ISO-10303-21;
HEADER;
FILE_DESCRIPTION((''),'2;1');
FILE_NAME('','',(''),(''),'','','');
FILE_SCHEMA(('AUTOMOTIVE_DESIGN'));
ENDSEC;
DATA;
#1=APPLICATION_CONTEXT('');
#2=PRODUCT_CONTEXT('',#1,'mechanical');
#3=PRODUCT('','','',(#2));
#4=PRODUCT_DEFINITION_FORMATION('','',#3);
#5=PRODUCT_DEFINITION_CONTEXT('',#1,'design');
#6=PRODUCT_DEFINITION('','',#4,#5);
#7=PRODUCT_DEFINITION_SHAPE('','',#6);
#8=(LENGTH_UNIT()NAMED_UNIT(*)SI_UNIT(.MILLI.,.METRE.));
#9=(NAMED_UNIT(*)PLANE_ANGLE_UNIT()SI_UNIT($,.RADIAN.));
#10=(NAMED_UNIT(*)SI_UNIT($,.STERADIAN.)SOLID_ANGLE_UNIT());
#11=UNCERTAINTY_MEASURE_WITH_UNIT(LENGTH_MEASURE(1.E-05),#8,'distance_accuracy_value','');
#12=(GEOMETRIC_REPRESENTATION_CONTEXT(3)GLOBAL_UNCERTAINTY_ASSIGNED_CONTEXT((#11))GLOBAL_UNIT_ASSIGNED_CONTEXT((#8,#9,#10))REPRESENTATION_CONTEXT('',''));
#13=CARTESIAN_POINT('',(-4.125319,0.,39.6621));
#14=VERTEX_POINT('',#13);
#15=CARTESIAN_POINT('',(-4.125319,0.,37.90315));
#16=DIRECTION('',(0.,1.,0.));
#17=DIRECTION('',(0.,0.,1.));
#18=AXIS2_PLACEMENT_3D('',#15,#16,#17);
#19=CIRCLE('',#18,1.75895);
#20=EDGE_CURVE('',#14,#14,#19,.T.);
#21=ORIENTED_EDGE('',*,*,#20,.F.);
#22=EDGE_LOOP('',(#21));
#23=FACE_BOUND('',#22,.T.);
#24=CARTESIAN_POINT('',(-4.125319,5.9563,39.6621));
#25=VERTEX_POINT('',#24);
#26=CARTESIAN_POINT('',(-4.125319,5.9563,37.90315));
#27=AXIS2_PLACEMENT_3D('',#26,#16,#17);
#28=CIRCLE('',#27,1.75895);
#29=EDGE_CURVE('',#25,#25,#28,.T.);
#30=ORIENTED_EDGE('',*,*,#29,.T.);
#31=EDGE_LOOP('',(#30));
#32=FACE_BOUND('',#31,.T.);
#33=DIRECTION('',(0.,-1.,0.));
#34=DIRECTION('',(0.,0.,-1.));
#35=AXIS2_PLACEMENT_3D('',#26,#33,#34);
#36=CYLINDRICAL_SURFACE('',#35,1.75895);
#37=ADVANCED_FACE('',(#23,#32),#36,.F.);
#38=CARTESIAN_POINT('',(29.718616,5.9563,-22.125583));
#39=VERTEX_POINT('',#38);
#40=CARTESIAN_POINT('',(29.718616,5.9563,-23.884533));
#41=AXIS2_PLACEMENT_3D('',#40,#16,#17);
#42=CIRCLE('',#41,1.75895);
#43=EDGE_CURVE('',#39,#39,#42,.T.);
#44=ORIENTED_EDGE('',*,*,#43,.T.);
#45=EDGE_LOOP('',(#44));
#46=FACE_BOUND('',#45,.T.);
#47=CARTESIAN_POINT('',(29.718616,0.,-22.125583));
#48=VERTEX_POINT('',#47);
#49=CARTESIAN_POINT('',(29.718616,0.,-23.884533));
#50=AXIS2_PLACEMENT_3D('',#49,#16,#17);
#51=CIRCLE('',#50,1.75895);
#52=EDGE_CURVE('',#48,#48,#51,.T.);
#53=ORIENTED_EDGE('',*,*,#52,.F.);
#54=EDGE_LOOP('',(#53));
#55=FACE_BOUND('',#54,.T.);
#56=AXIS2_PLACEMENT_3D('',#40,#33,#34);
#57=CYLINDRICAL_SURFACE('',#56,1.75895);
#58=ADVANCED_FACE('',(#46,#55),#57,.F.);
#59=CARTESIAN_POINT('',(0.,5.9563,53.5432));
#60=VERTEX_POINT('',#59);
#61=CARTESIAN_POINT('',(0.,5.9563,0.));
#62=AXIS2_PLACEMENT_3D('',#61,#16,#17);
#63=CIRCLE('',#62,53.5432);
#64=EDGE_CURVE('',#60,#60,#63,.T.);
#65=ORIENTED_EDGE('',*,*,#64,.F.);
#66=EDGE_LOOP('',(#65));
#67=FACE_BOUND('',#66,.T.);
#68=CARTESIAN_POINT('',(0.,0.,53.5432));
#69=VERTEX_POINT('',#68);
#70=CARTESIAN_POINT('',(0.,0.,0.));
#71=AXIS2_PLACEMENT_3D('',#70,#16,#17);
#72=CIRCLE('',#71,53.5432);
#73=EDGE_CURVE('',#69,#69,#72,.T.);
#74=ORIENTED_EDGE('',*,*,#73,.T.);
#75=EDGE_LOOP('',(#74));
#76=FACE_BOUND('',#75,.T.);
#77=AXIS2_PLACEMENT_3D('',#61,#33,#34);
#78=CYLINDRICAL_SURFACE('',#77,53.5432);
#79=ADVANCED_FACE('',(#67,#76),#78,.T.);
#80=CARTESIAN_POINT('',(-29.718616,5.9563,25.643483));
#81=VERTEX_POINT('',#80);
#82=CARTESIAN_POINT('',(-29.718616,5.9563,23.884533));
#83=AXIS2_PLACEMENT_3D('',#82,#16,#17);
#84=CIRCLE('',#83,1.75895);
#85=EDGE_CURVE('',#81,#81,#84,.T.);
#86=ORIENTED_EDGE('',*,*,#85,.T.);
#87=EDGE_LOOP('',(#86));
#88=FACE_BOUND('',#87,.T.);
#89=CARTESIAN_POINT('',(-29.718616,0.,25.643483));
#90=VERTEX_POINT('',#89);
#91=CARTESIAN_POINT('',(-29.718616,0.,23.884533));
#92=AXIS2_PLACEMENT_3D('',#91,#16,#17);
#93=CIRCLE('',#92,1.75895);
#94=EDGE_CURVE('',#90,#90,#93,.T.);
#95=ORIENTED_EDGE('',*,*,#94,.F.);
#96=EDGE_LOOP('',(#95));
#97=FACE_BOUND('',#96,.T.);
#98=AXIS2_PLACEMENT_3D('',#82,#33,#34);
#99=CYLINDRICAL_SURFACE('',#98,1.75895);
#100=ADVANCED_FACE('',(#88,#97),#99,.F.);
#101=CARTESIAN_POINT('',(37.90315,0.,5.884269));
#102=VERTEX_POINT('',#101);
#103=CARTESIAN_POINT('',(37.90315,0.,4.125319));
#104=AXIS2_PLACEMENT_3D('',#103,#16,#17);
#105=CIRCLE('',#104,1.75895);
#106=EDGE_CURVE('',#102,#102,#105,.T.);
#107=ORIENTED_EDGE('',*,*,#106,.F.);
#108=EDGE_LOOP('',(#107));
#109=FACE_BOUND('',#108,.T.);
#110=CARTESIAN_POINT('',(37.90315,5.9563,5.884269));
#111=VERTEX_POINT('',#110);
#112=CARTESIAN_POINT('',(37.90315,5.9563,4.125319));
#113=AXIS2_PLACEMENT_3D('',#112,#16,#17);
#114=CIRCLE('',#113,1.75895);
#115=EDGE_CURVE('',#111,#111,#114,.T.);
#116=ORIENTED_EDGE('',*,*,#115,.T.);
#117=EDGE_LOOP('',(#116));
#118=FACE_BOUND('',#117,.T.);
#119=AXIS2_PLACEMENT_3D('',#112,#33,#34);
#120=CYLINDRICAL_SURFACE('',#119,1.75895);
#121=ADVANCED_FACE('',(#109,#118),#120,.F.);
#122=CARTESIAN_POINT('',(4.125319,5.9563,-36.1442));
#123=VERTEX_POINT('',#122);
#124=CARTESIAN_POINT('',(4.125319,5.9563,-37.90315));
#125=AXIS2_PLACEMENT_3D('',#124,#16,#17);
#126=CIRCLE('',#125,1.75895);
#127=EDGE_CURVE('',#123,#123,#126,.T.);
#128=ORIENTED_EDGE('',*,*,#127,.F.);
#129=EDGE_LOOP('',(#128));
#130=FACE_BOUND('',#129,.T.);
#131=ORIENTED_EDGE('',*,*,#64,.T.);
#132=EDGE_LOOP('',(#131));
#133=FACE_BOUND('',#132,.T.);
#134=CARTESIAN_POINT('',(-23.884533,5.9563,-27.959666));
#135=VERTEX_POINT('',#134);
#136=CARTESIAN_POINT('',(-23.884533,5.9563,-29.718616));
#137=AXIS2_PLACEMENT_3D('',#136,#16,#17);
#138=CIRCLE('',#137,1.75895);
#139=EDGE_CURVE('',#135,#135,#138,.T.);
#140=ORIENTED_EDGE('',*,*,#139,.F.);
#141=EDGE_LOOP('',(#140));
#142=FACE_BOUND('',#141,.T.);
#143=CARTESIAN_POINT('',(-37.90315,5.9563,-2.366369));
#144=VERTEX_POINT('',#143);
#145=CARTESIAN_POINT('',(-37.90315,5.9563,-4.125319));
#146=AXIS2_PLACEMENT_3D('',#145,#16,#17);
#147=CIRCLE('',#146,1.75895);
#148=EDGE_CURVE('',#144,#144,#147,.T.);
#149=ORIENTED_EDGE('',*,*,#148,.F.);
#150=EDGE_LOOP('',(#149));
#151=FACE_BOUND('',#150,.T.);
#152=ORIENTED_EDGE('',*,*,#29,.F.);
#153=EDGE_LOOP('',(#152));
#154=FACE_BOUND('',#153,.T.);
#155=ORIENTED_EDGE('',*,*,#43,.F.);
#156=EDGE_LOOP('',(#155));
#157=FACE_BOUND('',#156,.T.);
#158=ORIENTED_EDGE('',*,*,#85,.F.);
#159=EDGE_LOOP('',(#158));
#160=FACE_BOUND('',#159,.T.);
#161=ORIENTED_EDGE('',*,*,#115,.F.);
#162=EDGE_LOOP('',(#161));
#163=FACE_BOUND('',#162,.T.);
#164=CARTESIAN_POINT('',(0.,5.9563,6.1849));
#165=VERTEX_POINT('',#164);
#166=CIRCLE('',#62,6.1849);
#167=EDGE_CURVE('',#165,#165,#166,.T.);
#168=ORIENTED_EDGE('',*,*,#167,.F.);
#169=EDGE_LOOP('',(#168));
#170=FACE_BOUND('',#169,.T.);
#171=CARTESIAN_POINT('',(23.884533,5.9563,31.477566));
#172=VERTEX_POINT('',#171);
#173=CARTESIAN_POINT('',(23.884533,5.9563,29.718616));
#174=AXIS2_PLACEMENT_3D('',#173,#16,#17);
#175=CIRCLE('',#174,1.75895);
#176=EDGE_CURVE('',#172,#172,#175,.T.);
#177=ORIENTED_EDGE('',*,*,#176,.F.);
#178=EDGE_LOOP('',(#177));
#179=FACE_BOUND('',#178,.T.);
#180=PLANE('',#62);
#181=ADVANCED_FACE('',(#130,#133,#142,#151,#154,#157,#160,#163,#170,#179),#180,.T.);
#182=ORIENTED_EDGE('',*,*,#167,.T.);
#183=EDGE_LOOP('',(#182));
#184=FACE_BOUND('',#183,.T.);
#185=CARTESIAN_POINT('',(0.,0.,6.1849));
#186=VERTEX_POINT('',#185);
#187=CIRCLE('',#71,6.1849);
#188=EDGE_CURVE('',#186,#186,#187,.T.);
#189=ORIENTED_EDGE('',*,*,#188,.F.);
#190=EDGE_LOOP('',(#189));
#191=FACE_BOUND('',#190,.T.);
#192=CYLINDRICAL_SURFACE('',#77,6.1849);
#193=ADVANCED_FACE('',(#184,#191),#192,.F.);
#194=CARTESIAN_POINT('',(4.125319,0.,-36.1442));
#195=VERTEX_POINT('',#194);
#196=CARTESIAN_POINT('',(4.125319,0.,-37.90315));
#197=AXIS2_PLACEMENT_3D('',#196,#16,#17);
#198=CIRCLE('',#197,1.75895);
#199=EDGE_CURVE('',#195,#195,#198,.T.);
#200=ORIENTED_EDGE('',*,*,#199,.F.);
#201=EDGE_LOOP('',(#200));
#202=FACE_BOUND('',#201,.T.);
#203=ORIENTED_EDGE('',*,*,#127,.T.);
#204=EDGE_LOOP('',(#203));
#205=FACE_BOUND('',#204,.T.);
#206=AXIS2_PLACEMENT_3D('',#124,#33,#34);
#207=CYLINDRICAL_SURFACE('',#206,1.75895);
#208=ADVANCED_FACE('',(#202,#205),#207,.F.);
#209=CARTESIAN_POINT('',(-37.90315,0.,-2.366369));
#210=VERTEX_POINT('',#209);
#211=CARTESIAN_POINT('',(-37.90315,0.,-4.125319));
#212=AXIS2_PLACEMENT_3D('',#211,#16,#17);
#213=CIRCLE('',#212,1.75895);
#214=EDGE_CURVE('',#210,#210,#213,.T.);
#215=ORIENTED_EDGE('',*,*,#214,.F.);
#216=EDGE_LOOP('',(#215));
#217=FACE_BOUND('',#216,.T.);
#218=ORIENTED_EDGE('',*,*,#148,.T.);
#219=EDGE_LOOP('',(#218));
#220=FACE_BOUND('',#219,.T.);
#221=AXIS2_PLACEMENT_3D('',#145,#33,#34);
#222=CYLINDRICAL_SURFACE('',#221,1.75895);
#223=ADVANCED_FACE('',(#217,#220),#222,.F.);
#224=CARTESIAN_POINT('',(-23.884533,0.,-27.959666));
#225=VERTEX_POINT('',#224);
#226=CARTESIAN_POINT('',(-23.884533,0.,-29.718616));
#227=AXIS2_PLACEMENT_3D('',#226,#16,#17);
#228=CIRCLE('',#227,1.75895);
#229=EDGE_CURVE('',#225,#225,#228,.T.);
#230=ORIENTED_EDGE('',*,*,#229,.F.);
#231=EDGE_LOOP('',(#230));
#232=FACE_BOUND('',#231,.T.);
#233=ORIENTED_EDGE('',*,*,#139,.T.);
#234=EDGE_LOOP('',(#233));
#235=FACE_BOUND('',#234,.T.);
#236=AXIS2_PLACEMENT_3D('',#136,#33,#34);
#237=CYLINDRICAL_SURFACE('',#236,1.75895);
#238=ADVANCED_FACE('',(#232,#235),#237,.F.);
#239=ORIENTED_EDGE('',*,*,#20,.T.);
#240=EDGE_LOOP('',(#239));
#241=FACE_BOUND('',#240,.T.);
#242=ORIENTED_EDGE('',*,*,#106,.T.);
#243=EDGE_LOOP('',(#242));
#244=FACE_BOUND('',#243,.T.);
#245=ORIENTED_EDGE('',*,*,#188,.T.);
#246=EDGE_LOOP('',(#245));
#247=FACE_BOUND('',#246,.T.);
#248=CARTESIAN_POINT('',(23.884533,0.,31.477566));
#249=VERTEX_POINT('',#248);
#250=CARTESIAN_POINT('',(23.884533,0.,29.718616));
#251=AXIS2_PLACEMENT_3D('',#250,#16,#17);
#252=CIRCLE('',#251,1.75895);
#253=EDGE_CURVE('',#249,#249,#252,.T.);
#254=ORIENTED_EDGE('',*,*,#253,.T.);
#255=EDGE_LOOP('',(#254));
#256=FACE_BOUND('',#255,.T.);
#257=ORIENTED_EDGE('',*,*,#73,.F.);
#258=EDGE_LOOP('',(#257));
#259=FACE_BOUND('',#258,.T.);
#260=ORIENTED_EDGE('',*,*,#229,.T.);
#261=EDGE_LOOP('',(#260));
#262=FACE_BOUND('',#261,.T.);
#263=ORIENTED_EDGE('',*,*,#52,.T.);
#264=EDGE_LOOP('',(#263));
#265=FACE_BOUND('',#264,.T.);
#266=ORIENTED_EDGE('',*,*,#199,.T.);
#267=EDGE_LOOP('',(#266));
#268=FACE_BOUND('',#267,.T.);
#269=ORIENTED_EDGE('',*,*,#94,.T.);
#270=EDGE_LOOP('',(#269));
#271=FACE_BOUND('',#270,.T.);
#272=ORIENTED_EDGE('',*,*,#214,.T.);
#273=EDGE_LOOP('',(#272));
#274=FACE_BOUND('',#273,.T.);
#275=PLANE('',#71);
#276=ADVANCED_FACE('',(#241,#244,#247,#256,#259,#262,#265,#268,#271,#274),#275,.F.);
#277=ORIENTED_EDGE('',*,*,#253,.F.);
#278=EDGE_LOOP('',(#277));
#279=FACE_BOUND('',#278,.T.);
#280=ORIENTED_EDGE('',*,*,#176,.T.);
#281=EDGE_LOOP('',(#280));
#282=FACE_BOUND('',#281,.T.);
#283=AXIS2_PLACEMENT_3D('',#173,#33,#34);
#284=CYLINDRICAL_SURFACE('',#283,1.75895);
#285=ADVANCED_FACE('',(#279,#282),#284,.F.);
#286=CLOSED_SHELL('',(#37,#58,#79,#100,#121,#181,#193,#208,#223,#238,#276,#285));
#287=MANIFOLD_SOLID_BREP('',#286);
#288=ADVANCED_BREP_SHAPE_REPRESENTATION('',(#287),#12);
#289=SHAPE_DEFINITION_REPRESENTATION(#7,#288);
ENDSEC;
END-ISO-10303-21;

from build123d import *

# Parameters (mm, degrees)
SKETCH1_R           = 53.5432
SKETCH1_R_2         = 6.1849
SKETCH1_R_3         = 1.75895
BOSS_EXTRUDE1_DEPTH = 5.9563


with BuildPart() as part:
    # Sketch1 → Boss-Extrude1 (new body)
    with BuildSketch(Plane(origin=(0, 0, 0), x_dir=(1, 0, 0), z_dir=(0, 1, 0))):
        Circle(SKETCH1_R)
        Circle(SKETCH1_R_2, mode=Mode.SUBTRACT)
        with Locations((37.90315, -4.125319175)):
            Circle(SKETCH1_R_3, mode=Mode.SUBTRACT)
        with Locations((23.88453323, -29.718615557)):
            Circle(SKETCH1_R_3, mode=Mode.SUBTRACT)
        with Locations((-4.125319175, -37.90315)):
            Circle(SKETCH1_R_3, mode=Mode.SUBTRACT)
        with Locations((-29.718615557, -23.88453323)):
            Circle(SKETCH1_R_3, mode=Mode.SUBTRACT)
        with Locations((-37.90315, 4.125319175)):
            Circle(SKETCH1_R_3, mode=Mode.SUBTRACT)
        with Locations((-23.88453323, 29.718615557)):
            Circle(SKETCH1_R_3, mode=Mode.SUBTRACT)
        with Locations((4.125319175, 37.90315)):
            Circle(SKETCH1_R_3, mode=Mode.SUBTRACT)
        with Locations((29.718615557, 23.88453323)):
            Circle(SKETCH1_R_3, mode=Mode.SUBTRACT)
    extrude(amount=BOSS_EXTRUDE1_DEPTH)


solid = part.part
